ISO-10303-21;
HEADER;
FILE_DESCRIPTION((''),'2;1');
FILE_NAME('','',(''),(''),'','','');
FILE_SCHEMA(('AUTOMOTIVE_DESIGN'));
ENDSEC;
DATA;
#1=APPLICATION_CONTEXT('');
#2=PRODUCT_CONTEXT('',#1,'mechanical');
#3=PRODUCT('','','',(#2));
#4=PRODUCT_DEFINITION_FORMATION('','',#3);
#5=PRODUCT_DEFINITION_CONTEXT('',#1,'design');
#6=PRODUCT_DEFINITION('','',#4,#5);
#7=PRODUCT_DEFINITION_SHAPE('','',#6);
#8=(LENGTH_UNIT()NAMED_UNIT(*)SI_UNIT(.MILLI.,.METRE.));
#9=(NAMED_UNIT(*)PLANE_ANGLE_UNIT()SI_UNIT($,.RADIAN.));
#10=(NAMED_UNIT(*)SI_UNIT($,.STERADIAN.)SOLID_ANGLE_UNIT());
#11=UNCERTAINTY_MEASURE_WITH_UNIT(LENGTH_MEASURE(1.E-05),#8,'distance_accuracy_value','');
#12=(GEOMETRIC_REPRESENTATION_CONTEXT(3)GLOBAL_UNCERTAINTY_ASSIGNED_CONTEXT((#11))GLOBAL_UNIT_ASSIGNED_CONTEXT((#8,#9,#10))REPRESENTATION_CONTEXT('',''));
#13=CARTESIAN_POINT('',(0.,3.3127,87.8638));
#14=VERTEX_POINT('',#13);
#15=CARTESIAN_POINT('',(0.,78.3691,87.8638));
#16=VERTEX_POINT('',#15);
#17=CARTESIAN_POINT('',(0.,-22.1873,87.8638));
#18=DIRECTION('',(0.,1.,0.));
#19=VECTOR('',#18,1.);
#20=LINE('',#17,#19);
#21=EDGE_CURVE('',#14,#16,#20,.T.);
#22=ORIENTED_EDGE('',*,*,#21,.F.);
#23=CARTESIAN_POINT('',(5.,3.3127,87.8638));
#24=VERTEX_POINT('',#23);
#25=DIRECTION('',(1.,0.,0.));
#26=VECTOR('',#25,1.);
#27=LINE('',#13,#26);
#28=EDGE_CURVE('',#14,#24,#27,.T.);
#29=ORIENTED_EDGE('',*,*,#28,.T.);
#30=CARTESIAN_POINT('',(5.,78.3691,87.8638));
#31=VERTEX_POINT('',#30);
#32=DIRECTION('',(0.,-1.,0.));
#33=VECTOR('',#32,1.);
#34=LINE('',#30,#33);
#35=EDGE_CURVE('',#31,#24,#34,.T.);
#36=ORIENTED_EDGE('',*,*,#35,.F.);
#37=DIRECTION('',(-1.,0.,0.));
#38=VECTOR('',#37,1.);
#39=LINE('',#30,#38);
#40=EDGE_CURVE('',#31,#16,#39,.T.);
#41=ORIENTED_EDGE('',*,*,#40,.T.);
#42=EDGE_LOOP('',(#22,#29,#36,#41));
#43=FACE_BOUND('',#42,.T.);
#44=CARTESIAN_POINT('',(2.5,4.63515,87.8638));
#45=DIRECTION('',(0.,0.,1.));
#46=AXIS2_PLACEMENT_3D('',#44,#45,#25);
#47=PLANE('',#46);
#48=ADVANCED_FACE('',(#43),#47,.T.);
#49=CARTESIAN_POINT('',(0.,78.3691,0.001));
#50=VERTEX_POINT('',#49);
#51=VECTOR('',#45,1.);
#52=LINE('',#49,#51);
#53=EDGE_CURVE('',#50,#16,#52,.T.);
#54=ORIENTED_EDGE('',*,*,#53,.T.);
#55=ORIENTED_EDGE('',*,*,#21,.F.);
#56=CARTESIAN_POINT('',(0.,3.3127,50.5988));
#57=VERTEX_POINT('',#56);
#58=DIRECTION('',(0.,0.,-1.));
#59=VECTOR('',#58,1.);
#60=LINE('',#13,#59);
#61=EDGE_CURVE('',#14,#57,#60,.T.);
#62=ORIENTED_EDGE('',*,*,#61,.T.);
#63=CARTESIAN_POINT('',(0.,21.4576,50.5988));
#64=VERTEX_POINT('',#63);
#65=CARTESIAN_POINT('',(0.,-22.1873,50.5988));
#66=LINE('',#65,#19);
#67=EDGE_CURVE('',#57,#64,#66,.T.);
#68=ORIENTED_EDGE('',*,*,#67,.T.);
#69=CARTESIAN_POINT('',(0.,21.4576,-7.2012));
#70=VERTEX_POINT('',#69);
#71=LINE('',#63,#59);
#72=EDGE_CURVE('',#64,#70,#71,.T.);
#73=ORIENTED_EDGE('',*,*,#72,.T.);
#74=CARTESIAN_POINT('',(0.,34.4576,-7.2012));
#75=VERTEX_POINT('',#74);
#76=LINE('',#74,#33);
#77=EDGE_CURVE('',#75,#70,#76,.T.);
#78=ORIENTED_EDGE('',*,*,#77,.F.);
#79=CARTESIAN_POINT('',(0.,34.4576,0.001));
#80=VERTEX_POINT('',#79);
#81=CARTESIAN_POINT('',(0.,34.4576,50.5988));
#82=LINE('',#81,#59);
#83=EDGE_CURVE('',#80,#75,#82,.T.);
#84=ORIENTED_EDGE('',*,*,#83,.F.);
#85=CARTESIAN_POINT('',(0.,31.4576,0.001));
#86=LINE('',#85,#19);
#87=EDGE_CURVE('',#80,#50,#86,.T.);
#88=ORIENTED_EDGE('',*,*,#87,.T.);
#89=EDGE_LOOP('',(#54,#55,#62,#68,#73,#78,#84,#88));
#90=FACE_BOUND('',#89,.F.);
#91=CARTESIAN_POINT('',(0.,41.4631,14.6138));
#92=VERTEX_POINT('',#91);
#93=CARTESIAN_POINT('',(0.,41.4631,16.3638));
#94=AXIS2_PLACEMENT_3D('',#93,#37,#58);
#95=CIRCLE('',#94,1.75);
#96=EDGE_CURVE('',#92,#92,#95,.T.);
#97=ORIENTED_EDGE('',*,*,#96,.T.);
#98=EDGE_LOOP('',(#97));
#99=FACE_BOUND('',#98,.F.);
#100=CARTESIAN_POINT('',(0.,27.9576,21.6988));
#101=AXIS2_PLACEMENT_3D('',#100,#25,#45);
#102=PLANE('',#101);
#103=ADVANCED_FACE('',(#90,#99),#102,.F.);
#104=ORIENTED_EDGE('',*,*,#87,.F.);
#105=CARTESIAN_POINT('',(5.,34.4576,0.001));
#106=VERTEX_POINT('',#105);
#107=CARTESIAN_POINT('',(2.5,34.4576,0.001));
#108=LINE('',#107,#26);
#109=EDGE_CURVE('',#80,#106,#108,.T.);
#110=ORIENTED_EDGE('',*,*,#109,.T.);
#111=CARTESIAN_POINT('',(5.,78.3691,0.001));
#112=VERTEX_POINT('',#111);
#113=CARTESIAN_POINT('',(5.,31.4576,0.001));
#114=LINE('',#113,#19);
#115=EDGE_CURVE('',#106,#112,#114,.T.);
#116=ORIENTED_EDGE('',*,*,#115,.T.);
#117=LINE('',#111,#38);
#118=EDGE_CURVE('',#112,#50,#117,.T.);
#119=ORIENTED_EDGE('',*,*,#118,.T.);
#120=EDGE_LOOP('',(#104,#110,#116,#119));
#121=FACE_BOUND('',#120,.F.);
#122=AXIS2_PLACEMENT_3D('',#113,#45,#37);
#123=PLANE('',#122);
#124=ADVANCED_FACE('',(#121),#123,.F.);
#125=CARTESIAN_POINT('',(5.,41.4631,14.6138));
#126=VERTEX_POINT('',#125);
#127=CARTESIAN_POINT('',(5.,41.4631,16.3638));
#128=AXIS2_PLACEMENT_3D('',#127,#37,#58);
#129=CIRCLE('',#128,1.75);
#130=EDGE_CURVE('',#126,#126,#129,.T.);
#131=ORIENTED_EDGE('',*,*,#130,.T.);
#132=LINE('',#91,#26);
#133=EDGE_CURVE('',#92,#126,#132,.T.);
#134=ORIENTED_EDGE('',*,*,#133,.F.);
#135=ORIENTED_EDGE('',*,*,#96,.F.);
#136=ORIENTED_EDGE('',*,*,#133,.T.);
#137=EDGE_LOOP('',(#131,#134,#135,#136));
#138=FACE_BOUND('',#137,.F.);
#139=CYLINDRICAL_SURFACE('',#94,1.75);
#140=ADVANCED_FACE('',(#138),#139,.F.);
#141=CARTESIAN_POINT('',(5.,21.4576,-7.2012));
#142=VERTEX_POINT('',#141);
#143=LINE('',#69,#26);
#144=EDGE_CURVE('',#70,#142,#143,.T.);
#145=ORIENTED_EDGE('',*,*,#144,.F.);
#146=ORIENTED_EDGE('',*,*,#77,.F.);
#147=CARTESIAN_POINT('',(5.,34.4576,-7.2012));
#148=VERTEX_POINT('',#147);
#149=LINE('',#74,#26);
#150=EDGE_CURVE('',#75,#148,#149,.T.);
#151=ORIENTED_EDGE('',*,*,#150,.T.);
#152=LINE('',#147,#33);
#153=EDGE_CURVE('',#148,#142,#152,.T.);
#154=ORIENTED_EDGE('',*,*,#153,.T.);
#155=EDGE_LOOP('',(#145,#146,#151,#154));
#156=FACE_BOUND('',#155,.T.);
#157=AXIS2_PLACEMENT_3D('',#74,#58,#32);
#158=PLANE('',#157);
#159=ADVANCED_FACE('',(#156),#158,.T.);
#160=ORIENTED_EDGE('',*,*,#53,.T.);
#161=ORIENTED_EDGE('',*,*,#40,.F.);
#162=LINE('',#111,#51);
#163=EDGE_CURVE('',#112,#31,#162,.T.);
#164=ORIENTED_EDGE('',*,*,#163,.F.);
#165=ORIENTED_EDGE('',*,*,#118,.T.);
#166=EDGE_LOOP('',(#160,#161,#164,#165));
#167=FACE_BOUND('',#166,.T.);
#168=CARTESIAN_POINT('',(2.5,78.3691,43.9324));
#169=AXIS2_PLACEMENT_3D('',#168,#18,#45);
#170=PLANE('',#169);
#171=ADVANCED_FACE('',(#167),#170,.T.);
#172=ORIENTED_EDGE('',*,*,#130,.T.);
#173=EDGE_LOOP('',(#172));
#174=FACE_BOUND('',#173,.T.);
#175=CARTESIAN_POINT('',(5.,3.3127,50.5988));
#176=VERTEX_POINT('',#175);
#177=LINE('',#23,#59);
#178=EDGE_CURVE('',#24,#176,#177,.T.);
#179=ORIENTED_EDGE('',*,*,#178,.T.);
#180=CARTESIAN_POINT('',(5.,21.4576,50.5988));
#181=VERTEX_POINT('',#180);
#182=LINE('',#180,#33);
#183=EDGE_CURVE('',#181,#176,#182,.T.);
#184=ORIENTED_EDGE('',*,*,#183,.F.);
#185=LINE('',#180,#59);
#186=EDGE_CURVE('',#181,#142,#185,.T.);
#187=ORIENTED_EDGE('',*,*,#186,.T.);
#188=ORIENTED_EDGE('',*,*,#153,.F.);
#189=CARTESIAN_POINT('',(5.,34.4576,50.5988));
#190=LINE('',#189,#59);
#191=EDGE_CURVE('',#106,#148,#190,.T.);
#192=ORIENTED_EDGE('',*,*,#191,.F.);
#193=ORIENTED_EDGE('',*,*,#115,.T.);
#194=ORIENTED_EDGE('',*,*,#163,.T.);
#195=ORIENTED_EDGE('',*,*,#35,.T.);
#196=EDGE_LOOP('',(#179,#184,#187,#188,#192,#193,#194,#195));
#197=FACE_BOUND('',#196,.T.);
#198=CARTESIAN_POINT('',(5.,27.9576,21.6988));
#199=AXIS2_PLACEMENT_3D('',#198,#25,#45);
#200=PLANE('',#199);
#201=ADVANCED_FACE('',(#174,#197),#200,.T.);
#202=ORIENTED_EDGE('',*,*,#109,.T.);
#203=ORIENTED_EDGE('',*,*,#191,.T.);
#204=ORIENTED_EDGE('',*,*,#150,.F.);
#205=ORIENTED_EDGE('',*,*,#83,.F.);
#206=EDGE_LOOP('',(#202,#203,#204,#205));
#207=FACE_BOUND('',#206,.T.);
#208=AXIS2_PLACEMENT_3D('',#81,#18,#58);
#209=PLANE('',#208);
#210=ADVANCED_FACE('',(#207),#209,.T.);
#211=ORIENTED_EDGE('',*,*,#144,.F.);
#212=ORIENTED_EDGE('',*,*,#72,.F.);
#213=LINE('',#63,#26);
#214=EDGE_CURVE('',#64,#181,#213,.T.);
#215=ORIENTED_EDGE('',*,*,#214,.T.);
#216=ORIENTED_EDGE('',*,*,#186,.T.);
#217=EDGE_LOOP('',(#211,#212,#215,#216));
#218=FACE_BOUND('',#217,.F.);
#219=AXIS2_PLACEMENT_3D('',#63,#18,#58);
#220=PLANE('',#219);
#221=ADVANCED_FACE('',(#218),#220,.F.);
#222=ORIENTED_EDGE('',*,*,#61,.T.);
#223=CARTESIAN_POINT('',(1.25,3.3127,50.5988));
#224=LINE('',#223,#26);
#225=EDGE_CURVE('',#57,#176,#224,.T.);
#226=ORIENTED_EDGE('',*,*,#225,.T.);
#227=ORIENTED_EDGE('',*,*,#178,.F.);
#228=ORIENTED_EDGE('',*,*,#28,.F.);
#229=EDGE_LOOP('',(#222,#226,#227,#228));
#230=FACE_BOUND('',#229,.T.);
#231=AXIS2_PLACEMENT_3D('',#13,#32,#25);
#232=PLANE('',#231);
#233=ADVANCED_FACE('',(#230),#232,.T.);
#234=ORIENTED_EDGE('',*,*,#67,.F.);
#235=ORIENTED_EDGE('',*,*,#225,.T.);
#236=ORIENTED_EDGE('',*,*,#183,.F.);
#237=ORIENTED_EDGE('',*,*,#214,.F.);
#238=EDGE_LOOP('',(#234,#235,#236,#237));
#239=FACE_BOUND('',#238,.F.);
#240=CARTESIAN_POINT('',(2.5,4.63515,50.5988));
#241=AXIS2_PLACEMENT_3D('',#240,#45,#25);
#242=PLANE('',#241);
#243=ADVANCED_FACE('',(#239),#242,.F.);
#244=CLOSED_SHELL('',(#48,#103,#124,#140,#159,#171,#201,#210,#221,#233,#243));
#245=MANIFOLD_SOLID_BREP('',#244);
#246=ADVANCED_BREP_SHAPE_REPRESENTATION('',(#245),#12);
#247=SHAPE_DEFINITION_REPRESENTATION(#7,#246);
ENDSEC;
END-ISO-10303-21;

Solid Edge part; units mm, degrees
sketch "Sketch1" plane through (0, 0, 0) normal (1, 0, 0) x (0, 1, 0)
  line L0 (21.4576, 50.5988) -> (21.4576, -7.2012)
  line L1 (34.4576, -7.2012) -> (21.4576, -7.2012)
  line L2 (34.4576, 50.5988) -> (34.4576, -7.2012)
  line L3 (34.4576, 50.5988) -> (21.4576, 50.5988)
extrude "Protrusion1" add sketch "Sketch1" along normal blind 5
sketch "Sketch2" plane through (2.5, 26.4576, 50.5988) normal (0, 0, 1) x (0, 1, 0)
  line L0 (-5, -2.5) -> (5, -2.5)
  line L1 (5, -2.5) -> (5, 2.5)
  line L2 (5, 2.5) -> (-5, 2.5)
  line L3 (-48.6449, 2.5) -> (-5, 2.5)
  line L4 (-48.6449, -2.5) -> (-48.6449, 2.5)
  line L5 (-5, -2.5) -> (-48.6449, -2.5)
extrude "ExtrudedProtrusion_2" add sketch "Sketch2" along normal blind 37.265
sketch "Sketch3" plane through (2.5, 31.4576, 40.3313) normal (0, 1, 0) x (0, 0, -1)
  line L0 (40.3303, 2.5) -> (-47.5325, 2.5)
  line L1 (-47.5325, -2.5) -> (-47.5325, 2.5)
  line L2 (40.3303, -2.5) -> (-47.5325, -2.5)
  line L3 (40.3303, -2.5) -> (40.3303, 2.5)
extrude "ExtrudedProtrusion_3" add sketch "Sketch3" along normal blind 46.9115
sketch "Sketch4" plane through (2.5, 28.0909, 87.8638) normal (0, 0, 1) x (0, 1, 0)
  line L0 (-24.7782, 2.5) -> (-24.7782, -2.5)
  line L1 (-24.7782, -2.5) -> (-51.7696, -2.5)
  line L2 (-51.7696, -2.5) -> (-51.7696, 2.5)
  line L3 (-51.7696, 2.5) -> (-24.7782, 2.5)
extrude "ExtrudedCutout_2" cut sketch "Sketch4" against normal blind 243.9976
sketch "Sketch5" plane through (0, 40.8409, 40.3313) normal (-1, 0, 0) x (0, 0, -1)
  circle A0 centre (23.9675, -0.6222) radius 1.75
  dimension "D1" = 4.9
  dimension "D2" = 3.5
  dimension "D3" = 0.25
extrude "ExtrudedCutout_3" cut sketch "Sketch5" against normal blind 61.0187
